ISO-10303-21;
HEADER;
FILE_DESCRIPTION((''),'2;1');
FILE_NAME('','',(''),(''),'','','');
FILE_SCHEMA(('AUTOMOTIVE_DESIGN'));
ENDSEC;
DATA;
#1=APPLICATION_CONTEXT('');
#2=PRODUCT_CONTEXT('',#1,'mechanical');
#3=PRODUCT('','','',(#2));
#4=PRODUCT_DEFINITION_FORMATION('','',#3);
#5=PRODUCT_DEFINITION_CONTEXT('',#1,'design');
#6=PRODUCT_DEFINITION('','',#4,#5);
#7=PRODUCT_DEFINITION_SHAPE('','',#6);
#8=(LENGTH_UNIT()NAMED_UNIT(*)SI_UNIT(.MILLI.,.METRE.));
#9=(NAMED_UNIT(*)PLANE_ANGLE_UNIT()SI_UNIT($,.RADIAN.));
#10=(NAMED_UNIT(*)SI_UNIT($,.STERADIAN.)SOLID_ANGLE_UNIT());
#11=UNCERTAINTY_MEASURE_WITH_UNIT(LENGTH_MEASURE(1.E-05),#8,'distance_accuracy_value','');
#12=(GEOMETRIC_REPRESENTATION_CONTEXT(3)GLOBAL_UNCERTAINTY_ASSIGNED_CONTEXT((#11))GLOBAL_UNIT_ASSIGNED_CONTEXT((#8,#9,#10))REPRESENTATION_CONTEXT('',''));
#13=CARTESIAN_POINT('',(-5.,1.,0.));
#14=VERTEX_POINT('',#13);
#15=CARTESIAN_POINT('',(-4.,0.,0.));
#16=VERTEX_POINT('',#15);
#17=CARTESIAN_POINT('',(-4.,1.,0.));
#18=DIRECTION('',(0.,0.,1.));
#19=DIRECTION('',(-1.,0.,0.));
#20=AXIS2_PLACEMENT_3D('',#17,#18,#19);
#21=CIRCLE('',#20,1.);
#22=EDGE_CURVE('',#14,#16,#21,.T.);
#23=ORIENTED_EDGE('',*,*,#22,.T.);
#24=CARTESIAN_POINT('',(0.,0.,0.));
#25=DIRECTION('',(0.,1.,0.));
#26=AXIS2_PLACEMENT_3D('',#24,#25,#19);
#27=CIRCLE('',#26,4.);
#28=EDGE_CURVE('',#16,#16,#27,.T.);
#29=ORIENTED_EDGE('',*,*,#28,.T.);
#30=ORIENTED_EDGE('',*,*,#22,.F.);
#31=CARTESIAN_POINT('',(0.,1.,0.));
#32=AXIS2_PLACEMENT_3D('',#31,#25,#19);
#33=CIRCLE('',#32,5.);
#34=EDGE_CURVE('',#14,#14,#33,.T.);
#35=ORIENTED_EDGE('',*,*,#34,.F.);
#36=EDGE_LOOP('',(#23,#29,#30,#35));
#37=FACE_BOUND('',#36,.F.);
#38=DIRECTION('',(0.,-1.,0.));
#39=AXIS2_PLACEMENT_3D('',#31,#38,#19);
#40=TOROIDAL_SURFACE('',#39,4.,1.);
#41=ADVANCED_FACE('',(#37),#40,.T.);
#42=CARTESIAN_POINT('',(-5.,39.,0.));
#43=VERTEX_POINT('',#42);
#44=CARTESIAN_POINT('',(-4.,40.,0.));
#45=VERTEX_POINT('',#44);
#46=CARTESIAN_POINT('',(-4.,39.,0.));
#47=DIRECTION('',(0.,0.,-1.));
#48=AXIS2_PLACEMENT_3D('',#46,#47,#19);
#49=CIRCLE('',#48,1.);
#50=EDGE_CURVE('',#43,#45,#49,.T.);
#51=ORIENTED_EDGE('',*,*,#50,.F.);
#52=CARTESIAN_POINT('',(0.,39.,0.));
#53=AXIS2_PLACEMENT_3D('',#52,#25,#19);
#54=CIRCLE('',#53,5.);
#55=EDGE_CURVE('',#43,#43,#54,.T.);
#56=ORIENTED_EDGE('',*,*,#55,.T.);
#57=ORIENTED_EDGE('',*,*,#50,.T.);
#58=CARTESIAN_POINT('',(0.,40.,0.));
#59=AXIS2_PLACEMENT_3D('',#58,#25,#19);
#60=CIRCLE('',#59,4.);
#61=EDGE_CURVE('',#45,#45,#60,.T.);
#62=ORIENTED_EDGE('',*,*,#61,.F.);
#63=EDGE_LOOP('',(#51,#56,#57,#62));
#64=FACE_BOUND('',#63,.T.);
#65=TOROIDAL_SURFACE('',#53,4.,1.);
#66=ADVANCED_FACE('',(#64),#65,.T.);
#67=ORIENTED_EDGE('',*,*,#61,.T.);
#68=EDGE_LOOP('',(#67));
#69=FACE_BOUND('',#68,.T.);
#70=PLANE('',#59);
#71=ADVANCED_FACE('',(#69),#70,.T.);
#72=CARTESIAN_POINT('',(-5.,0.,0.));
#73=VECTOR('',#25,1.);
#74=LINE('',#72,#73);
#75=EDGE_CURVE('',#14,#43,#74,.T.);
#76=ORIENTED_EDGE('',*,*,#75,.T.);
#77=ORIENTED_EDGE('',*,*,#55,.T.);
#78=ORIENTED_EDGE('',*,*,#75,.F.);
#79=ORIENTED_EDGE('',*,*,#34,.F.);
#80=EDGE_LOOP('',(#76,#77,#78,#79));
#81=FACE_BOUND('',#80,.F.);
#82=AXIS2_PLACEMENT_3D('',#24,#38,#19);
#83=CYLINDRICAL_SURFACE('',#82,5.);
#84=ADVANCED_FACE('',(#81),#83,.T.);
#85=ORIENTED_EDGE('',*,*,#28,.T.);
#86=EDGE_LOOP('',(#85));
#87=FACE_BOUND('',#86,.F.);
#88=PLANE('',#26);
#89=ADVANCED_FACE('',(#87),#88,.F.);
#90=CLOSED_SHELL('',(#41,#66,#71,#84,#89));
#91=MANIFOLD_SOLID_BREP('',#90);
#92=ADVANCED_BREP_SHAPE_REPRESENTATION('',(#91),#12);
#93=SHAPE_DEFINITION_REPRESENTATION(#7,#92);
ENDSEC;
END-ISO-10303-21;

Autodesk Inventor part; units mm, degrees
ref_plane "YZ Plane" through (0, 0, 0) normal (1, 0, 0) x (0, 1, 0)
ref_plane "XZ Plane" through (0, 0, 0) normal (0, 1, 0) x (-1, 0, 0)
ref_plane "XY Plane" through (0, 0, 0) normal (0, 0, 1) x (1, 0, 0)
sketch "Sketch1" plane through (0, 0, 0) normal (0, 1, 0) x (-1, 0, 0)
  circle A0 centre (0, 0) radius 5
  dimension "d0" = 10
extrude "Extrusion1" add sketch "Sketch1" along normal blind 40
fillet "Fillet1" radius 1 2 edges at (5, 40, 0) (5, 0, 0)
properties part number "HELP_MAGNET_D10x40"
